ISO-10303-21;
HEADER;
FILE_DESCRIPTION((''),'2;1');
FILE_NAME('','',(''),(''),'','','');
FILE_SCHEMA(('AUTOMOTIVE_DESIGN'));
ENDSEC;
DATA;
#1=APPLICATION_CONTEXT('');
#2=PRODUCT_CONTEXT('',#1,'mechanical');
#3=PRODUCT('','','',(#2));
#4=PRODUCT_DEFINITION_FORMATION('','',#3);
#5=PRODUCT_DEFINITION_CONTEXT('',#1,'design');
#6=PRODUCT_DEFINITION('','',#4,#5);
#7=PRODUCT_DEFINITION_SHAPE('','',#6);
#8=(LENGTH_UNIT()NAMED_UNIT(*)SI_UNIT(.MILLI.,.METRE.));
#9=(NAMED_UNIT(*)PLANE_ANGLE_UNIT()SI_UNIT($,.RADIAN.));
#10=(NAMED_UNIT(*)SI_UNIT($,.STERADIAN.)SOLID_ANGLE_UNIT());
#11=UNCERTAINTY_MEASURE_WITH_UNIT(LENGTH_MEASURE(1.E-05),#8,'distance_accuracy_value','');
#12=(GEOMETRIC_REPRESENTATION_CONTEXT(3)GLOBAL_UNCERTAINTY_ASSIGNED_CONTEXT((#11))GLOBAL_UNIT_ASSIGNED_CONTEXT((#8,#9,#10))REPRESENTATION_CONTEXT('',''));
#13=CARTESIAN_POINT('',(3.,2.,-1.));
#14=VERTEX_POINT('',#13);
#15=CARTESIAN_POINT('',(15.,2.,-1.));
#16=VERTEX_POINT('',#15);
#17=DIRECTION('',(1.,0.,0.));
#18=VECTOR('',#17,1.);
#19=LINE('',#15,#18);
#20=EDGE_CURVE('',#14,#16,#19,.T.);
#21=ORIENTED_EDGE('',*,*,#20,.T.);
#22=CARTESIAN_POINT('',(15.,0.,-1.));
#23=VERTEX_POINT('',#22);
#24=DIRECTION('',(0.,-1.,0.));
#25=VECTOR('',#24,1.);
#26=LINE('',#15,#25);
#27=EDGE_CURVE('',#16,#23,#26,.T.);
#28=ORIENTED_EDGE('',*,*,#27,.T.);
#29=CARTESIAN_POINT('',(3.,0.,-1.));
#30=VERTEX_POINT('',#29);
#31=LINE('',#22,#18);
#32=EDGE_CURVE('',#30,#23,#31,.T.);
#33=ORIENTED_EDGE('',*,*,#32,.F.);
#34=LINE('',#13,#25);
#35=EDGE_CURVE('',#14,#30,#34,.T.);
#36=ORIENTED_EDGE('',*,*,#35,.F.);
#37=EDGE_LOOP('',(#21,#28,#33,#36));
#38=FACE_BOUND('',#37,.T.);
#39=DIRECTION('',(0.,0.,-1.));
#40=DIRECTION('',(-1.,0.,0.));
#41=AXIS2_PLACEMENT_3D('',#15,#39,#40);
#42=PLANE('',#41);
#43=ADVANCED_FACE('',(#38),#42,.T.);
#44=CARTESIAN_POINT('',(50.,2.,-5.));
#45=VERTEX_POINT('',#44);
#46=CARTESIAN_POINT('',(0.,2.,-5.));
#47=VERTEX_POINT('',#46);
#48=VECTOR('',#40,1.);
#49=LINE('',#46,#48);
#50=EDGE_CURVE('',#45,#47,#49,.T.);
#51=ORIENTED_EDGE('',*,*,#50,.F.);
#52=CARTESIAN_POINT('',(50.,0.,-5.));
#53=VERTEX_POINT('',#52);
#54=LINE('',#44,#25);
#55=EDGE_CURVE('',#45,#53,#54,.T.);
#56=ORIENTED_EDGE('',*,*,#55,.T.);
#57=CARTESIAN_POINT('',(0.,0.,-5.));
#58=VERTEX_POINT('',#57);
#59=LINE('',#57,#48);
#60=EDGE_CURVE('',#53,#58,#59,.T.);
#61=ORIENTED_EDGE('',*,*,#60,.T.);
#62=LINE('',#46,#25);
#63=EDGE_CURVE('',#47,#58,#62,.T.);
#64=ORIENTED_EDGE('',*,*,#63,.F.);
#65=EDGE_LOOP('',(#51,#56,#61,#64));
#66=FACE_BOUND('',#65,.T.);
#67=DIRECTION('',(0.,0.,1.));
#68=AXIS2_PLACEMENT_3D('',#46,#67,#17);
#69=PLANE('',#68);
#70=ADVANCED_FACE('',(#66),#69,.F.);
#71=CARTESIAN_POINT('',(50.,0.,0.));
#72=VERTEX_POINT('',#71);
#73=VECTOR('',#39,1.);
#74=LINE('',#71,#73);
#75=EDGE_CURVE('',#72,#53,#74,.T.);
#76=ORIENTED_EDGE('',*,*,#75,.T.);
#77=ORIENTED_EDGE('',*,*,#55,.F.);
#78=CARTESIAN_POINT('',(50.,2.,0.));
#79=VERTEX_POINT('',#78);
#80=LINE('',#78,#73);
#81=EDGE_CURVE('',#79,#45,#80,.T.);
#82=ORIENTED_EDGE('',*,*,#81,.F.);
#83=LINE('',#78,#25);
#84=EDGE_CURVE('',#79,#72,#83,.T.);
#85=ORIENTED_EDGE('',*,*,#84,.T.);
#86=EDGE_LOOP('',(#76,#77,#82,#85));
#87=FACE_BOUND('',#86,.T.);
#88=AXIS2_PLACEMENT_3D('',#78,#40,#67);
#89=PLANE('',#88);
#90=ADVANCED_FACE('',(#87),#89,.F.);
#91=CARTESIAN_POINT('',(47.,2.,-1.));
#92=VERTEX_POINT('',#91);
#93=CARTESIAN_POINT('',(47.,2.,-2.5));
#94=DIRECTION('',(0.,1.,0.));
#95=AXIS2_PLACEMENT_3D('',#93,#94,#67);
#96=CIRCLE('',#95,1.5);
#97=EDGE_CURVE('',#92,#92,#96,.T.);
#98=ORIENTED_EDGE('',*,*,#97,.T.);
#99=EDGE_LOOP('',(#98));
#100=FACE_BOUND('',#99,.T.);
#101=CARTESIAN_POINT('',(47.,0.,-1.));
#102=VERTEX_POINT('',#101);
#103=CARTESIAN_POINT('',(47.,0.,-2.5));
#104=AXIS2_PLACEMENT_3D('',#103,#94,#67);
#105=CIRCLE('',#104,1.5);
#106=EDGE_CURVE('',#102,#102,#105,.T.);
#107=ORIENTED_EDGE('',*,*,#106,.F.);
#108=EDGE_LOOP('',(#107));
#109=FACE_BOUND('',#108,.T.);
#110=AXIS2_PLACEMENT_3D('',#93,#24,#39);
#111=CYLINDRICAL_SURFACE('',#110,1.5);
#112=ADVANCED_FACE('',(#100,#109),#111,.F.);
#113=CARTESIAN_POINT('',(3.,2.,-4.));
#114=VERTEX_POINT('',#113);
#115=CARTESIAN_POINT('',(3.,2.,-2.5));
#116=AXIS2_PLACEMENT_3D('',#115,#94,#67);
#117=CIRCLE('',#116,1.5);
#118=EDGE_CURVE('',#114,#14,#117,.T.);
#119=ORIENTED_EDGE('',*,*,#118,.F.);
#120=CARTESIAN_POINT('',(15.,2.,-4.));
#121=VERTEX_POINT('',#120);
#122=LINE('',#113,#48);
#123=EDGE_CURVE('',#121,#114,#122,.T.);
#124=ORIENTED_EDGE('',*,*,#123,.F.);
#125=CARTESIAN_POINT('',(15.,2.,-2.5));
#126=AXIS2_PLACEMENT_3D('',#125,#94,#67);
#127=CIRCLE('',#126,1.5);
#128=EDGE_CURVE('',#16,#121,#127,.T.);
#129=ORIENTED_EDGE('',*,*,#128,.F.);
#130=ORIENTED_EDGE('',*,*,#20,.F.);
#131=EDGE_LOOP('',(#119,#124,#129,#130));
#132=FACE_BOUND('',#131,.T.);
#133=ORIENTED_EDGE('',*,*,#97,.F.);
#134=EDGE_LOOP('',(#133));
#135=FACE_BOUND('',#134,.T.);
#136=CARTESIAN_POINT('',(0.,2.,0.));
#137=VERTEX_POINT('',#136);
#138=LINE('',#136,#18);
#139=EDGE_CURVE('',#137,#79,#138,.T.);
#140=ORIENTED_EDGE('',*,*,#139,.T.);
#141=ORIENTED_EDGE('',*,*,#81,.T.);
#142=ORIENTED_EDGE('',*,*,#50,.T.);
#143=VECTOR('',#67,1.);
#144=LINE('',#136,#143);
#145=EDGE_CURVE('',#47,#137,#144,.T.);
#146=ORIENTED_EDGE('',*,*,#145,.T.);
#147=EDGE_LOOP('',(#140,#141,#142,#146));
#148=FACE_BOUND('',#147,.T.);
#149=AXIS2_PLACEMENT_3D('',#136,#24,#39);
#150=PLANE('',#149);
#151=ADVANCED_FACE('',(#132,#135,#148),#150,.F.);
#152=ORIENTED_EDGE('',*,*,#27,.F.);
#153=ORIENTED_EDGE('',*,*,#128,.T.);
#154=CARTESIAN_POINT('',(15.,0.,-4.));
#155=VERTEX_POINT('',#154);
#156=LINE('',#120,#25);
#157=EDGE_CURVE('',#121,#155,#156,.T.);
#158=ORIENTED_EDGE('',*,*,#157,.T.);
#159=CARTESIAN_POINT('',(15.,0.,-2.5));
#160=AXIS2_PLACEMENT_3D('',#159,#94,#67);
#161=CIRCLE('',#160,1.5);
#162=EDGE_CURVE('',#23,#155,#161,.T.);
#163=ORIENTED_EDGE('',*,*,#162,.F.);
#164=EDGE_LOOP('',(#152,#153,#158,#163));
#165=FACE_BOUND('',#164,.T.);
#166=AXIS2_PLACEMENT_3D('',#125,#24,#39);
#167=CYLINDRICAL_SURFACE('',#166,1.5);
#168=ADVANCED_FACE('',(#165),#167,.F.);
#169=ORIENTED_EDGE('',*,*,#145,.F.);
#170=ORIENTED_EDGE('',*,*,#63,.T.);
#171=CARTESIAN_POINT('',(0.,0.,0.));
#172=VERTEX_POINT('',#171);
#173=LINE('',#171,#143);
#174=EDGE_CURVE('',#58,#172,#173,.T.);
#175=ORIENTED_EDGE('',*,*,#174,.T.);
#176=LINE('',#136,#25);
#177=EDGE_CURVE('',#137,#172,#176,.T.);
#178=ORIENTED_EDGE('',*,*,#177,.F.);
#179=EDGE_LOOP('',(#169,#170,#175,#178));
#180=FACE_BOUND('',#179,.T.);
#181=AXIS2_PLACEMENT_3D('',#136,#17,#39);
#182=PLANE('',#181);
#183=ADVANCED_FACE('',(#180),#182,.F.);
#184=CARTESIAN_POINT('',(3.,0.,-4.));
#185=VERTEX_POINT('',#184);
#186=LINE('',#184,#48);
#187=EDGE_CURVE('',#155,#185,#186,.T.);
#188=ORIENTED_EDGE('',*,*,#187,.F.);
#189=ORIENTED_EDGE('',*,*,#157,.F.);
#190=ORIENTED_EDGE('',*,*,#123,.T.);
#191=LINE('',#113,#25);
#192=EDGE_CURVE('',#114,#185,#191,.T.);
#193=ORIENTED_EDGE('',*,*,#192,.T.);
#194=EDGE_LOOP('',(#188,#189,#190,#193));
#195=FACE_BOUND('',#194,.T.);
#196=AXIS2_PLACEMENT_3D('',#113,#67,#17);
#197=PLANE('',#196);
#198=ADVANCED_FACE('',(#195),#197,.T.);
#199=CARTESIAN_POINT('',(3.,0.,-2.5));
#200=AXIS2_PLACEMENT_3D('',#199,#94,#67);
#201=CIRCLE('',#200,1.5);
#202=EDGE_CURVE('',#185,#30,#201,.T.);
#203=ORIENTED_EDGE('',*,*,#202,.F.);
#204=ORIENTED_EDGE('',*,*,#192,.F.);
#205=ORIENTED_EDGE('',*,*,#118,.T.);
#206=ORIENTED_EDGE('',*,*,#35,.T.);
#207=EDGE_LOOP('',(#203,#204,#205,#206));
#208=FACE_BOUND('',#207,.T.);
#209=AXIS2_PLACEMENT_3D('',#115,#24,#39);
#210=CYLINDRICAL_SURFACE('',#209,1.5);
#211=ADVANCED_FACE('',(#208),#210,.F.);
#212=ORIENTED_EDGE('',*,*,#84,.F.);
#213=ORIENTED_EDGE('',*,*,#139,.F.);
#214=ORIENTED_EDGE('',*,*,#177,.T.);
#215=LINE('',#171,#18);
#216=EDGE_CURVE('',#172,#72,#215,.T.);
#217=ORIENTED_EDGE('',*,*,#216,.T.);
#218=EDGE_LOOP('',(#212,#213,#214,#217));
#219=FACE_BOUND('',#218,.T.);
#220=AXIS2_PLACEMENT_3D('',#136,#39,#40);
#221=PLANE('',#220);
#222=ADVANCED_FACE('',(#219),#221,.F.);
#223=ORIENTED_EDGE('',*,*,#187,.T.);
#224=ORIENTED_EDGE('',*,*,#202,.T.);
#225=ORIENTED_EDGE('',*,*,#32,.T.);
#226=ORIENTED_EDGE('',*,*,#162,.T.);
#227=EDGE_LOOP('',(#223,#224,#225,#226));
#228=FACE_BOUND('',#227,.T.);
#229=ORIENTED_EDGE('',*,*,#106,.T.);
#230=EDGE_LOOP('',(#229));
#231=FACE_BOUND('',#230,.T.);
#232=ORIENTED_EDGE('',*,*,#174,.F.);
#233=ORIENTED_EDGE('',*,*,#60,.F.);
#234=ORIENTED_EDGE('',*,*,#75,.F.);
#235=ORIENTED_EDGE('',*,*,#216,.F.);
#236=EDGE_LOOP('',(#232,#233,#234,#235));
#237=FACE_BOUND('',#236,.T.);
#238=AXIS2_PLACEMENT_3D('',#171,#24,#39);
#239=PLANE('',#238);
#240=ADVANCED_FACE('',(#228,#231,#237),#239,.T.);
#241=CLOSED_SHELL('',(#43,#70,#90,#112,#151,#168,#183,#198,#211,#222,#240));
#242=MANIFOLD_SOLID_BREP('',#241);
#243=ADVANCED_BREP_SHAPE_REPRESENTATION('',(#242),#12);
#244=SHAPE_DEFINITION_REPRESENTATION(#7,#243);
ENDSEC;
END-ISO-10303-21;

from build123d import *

# Parameters (mm, degrees)
SKETCH2_W           = 50
SKETCH2_H           = 5
SKETCH2_R           = 1.5
BOSS_EXTRUDE1_DEPTH = 2


with BuildPart() as part:
    # Sketch2 → Boss-Extrude1 (new body)
    with BuildSketch(Plane(origin=(0, 0, 0), x_dir=(1, 0, 0), z_dir=(0, 1, 0))):
        with Locations((25, 2.5)):
            Rectangle(SKETCH2_W, SKETCH2_H)
        with Locations(Location((47, 2.5, 0), (0, 0, 270))):
            Circle(SKETCH2_R, mode=Mode.SUBTRACT)
        with BuildLine():
            Line((3, 4), (15, 4))
            ThreePointArc((15, 4), (16.5, 2.5), (15, 1))
            Line((15, 1), (3, 1))
            ThreePointArc((3, 1), (1.5, 2.5), (3, 4))
        make_face(mode=Mode.SUBTRACT)
    extrude(amount=BOSS_EXTRUDE1_DEPTH)


solid = part.part
